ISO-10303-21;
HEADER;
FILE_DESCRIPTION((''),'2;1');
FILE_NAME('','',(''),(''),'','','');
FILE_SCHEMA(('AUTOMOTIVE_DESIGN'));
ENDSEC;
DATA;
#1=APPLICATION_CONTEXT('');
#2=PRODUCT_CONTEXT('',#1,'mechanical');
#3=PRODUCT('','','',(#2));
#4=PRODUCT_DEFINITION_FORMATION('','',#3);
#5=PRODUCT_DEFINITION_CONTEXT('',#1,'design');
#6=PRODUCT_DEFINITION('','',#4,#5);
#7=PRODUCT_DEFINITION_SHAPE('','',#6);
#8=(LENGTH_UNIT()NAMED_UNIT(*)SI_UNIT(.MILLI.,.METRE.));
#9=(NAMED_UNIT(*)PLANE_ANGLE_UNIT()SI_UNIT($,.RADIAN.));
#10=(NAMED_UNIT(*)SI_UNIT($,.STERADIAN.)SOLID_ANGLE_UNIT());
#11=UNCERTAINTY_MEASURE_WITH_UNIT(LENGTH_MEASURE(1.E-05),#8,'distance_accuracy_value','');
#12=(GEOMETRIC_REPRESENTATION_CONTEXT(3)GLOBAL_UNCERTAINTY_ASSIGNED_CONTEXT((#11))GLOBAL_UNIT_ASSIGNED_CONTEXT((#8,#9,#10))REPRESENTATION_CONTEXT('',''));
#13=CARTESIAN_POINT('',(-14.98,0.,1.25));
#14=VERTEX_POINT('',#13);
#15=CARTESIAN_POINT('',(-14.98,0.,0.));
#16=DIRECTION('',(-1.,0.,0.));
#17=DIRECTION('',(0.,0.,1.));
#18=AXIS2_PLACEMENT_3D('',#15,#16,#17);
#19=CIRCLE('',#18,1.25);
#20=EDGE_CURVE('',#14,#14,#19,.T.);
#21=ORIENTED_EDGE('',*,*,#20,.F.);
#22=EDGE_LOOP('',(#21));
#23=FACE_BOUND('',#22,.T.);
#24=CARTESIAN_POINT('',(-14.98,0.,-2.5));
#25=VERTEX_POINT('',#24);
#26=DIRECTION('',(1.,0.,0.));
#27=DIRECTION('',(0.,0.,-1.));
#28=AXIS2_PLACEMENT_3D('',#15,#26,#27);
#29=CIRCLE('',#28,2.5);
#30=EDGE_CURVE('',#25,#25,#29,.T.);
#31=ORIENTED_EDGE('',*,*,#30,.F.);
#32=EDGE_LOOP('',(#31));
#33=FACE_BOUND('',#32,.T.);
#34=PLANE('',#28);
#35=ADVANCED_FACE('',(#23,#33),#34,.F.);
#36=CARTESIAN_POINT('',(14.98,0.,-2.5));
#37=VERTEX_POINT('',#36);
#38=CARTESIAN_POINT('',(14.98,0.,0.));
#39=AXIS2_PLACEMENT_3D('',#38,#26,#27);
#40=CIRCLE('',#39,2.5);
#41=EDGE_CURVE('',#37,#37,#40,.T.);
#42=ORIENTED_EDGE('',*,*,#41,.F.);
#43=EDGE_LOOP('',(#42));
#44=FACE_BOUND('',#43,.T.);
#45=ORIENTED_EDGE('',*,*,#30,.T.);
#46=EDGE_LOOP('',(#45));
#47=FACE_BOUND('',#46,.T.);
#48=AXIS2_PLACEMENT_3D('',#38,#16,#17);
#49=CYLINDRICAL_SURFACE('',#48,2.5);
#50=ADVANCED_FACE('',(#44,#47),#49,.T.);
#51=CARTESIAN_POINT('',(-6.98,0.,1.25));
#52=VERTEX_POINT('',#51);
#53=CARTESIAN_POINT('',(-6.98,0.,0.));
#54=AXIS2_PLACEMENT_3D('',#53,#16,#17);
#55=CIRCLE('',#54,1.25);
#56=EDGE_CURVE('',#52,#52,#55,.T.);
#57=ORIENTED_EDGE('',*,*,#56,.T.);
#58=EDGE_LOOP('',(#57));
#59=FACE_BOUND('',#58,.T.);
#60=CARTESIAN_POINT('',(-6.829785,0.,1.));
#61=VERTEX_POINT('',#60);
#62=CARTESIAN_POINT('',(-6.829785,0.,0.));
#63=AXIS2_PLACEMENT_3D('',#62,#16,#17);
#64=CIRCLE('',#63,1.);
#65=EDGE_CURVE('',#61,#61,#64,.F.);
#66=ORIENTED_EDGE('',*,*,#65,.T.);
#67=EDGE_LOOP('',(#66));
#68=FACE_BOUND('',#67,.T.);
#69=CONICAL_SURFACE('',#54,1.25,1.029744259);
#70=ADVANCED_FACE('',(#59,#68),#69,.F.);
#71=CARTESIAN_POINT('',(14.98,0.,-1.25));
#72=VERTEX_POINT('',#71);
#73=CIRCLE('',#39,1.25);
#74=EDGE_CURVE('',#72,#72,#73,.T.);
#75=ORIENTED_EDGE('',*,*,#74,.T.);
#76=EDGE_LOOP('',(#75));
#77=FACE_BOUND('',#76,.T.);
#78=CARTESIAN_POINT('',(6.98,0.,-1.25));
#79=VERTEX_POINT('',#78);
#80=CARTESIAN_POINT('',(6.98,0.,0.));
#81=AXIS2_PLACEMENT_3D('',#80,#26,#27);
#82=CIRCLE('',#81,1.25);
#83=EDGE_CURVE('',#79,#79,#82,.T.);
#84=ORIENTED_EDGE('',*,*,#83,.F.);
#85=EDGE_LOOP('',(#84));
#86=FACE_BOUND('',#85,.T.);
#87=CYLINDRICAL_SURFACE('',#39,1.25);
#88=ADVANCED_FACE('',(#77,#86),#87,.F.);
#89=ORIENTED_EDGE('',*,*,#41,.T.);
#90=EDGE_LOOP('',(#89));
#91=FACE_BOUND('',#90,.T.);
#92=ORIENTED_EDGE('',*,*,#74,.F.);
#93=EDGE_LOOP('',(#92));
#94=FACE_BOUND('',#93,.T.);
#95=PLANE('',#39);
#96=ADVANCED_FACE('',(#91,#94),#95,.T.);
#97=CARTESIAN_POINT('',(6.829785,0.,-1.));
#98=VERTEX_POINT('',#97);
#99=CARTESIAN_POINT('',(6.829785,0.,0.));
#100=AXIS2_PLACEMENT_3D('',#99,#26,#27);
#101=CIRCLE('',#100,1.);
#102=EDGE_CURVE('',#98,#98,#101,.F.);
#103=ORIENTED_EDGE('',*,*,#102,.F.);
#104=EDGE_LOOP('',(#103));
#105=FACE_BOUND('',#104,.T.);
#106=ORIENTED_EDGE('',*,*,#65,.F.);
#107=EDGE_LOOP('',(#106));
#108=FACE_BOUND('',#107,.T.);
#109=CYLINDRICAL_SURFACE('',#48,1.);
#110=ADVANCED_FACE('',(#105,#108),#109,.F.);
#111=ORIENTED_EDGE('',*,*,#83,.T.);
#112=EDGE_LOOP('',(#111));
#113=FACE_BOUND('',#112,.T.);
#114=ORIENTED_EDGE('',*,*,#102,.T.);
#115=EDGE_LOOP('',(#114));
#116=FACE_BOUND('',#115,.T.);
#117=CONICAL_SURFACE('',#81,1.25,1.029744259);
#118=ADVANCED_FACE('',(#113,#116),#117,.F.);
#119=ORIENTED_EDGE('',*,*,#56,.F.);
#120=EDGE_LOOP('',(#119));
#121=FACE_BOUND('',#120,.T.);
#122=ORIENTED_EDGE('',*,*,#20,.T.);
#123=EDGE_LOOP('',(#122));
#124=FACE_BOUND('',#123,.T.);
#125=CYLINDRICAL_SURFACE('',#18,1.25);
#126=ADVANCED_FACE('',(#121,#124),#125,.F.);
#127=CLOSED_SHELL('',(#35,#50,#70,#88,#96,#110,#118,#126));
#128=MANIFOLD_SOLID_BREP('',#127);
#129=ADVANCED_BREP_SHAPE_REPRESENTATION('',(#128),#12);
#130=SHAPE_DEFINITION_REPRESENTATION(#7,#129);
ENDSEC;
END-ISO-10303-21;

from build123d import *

# Parameters (mm, degrees)
SCHIZZO2_R                   = 2.5
SCHIZZO2_R_2                 = 1
ESTRUSIONE_ESTRUSIONE1_DEPTH = 14.98


with BuildPart() as part:
    # Schizzo2 → Estrusione-Estrusione1 (new, symmetric)
    with BuildSketch(Plane(origin=(0, 0, 0), x_dir=(0, 0, -1), z_dir=(1, 0, 0))):
        Circle(SCHIZZO2_R)
        Circle(SCHIZZO2_R_2, mode=Mode.SUBTRACT)
    extrude(amount=ESTRUSIONE_ESTRUSIONE1_DEPTH, both=True)

    # Schizzo5 → Foro filettato M3x0.5-2 (revolve, cut)
    with BuildSketch(Plane(origin=(14.98, 0, 0), x_dir=(0, 0, -1), z_dir=(0, 1, 0))):
        Polygon((0, 0), (0, 8.751075774), (1.25, 8), (1.25, 0), align=None)
    foro_filettato_m3x0_5_2 = revolve(axis=Axis((21.33, 0, 0), (-1, 0, 0)), mode=Mode.SUBTRACT)

    # Specchia1: Foro filettato M3x0.5-2 across plane
    add(foro_filettato_m3x0_5_2.mirror(Plane(origin=(0, 0, 0), x_dir=(0, 0, 1), z_dir=(1, 0, 0))), mode=Mode.SUBTRACT)


solid = part.part
